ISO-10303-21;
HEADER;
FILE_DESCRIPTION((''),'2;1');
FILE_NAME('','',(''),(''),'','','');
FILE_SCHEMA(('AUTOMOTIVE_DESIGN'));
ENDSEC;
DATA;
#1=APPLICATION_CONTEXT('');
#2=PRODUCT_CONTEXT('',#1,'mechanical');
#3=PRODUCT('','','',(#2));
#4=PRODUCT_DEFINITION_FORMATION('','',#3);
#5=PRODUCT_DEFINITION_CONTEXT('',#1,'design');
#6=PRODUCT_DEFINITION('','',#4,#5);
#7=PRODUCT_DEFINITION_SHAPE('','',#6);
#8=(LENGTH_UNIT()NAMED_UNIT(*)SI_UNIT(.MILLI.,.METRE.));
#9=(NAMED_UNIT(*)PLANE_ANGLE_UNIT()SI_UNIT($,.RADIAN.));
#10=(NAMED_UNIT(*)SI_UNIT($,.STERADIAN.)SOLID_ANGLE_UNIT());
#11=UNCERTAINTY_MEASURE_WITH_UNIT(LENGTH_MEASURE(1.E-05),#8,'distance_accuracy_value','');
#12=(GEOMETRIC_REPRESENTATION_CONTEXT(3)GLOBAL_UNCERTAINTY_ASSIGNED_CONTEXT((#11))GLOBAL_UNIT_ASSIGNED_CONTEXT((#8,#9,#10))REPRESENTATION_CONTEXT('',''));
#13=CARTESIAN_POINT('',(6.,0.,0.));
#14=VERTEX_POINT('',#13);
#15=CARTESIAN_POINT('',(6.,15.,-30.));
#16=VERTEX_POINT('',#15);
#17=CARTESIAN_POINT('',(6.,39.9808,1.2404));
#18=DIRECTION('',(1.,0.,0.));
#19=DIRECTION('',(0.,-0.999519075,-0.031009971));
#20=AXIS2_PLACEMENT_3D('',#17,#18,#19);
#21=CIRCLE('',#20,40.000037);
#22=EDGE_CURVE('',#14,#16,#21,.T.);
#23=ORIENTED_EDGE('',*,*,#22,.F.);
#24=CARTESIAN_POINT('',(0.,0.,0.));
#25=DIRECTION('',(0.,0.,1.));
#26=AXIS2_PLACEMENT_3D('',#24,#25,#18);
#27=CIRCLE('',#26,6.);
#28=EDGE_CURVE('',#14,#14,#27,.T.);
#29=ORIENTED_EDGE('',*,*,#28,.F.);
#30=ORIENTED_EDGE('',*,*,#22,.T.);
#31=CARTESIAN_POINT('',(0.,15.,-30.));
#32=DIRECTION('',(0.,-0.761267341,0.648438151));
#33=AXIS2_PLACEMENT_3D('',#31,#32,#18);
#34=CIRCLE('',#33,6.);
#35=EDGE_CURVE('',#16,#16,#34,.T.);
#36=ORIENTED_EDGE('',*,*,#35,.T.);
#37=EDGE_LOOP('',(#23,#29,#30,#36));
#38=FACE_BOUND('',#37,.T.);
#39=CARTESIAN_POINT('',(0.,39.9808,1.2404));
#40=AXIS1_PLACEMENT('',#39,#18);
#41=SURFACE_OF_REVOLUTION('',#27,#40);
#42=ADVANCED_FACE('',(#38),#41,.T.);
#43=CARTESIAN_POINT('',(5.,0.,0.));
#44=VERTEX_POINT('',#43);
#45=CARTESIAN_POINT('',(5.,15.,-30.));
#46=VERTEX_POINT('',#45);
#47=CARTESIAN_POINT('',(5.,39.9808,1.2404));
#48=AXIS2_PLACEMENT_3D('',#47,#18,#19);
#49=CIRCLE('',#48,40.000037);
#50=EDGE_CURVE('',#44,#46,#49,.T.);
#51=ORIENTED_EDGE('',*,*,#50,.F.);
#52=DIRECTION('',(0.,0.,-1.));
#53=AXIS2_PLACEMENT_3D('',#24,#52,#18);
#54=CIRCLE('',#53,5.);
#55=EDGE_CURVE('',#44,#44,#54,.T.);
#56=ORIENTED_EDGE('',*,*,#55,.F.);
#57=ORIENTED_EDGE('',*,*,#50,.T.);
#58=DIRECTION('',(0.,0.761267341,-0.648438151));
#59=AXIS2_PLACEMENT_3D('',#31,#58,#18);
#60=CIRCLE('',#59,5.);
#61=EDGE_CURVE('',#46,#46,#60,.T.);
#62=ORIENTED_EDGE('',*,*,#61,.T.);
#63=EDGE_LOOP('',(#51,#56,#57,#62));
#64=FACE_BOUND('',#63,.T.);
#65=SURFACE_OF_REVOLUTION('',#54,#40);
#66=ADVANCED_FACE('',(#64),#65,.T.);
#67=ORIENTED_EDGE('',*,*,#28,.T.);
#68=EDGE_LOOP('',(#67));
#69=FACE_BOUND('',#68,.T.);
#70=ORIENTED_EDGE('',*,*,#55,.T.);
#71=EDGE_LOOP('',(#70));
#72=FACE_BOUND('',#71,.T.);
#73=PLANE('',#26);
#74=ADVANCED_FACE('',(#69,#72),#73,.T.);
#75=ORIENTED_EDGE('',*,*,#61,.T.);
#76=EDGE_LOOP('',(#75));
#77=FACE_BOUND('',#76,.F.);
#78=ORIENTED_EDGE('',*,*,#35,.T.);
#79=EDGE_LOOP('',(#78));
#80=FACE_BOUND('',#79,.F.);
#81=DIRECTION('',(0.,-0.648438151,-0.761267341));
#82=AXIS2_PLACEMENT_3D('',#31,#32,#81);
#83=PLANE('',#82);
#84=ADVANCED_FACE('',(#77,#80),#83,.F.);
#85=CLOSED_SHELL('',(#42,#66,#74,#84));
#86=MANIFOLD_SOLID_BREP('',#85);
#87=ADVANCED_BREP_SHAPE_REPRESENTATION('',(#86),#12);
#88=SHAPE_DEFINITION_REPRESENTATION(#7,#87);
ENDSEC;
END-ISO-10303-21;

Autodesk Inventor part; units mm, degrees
ref_plane "YZ Plane" through (0, 0, 0) normal (1, 0, 0) x (0, 1, 0)
ref_plane "XZ Plane" through (0, 0, 0) normal (0, 1, 0) x (-1, 0, 0)
ref_plane "XY Plane" through (0, 0, 0) normal (0, 0, 1) x (1, 0, 0)
sketch "Sketch1" plane through (0, 0, 0) normal (0, 0, 1) x (1, 0, 0)
  circle A0 centre (0, 0) radius 6
  circle A1 centre (0, 0) radius 5
  dimension "d12" = 10
  dimension "d13" = 1
sketch "Sketch2" plane through (0, 0, 0) normal (1, 0, 0) x (0, 1, 0)
  arc A0 (0, 0) -> (15, -30) centre (39.9808, 1.2404) ccw
  dimension "d7" = 15
  dimension "d8" = 40
  dimension "d9" = 30
sweep "Sweep1" add profiles "Sketch1" path "Sketch2"
properties part number "Sweep"
